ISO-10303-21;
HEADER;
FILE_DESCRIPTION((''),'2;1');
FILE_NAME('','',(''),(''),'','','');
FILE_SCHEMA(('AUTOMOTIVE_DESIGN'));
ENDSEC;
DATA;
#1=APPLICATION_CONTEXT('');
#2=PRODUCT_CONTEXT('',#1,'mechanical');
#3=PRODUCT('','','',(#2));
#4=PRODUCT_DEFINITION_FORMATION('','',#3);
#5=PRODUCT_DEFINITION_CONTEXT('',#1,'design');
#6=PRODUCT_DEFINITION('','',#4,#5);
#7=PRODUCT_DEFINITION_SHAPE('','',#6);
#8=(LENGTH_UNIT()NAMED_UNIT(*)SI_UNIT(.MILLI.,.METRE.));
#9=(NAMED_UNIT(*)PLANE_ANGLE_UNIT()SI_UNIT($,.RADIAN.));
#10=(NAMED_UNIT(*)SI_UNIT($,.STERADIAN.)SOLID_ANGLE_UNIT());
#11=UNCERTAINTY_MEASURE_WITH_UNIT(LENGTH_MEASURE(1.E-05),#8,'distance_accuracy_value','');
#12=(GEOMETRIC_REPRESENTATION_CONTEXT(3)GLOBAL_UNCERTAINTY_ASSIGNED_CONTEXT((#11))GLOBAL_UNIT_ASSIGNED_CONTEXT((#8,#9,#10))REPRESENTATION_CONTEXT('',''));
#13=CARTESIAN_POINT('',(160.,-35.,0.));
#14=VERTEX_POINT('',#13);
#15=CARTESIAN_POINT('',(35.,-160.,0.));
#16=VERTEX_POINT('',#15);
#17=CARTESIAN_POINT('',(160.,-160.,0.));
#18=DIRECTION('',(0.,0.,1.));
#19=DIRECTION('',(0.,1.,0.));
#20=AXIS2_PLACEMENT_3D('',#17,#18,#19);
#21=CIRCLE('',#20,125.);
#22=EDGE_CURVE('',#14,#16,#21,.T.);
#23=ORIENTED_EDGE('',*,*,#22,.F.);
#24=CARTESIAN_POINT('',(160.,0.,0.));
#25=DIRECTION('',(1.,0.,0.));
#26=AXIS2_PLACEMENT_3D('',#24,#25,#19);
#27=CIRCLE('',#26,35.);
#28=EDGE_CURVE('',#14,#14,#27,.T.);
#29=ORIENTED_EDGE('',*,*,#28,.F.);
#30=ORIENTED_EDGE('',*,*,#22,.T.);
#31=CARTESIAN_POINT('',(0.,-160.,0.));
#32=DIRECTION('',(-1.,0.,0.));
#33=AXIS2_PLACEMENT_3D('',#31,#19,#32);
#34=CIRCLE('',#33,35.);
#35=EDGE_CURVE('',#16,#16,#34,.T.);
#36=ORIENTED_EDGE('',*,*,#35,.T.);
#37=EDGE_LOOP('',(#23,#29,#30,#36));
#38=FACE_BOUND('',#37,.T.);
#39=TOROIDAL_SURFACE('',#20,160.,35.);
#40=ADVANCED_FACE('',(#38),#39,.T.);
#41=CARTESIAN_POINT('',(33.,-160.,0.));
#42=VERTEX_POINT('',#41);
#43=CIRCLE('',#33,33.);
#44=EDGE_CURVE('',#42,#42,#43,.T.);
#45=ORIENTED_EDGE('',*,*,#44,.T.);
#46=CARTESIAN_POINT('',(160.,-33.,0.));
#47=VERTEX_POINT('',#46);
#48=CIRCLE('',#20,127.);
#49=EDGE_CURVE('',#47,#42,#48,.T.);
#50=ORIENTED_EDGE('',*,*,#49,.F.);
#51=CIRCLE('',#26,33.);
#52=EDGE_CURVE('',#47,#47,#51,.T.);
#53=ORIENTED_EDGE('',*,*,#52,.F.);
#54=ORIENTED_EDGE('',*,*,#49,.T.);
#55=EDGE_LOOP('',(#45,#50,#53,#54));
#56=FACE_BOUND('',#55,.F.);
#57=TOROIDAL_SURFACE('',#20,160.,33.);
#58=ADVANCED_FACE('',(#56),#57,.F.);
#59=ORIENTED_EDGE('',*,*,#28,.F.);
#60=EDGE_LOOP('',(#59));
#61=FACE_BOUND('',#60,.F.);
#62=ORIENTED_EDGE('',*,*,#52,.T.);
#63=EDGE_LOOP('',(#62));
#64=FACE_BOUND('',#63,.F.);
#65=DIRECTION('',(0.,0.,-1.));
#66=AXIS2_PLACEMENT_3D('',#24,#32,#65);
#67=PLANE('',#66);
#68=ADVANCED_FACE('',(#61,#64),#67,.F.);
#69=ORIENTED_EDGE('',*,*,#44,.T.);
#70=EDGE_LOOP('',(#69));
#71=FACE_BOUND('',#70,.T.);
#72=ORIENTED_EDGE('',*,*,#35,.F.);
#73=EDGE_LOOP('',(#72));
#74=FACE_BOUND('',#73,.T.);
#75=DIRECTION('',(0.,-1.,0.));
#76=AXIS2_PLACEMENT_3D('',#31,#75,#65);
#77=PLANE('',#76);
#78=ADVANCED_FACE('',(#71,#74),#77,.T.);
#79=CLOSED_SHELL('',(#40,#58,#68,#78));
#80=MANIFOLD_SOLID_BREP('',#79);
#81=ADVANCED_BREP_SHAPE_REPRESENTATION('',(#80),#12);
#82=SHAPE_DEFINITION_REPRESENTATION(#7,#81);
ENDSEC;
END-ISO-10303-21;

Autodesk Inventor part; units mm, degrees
ref_plane "YZ Plane" through (0, 0, 0) normal (1, 0, 0) x (0, 1, 0)
ref_plane "XZ Plane" through (0, 0, 0) normal (0, 1, 0) x (-1, 0, 0)
sketch "Szkic6" plane through (0, 0, 0) normal (0, 0, 1) x (1, 0, 0)
  line L0 (-29.6067, 0) -> (35.2678, 0) construction
  line L1 (0, 42.3419) -> (0, -58.3726) construction
  arc A0 (160, 0) -> (0, -160) centre (160, -160) ccw
  line L2 (0, -160) -> (160, -160) construction
  line L3 (160, -160) -> (160, -94.4669) construction
  line L4 (160, 0) -> (160, 0)
  line L5 (0, -160) -> (0, -160)
  point P0 (0, 0)
  dimension "d24" = 160
  dimension "d31" = 90
  dimension "d36" = 0
  dimension "d37" = 0
ref_plane "Płaszczyzna konstrukcyjna2" through (0, -160, 0) normal (0, -1, 0) x (1, 0, 0)
sketch "Szkic8" plane through (0, -160, 0) normal (0, -1, 0) x (1, 0, 0)
  circle A0 centre (0, 0) radius 35
  circle A1 centre (0, 0) radius 33
  dimension "d32" = 70
  dimension "d33" = 2
sweep "Przeciągnięcie2" add profiles "Szkic8" path "Szkic6"
equation "\"d32\" = OD"
equation "\"d33\" = THK"
equation "\"d24\" = R"
equation "\"d31\" = KAT"
equation "\"SzerokośćGięciaPodcięcia\" = Grubość"
equation "\"RozmiarPodcięciaNarożnika\" = 4 * Grubość"
equation "\"PromieńPrzejścia\" = PromieńGięcia"
equation "\"Rozmiar_promienia_Jacobiego\" = PromieńGięcia"
equation "\"Wielk_odstępu\" = Grubość"
equation "\"d2\" = PromieńGięcia"
equation "\"d23\" = PromieńGięcia"
equation "\"R\" = 160"
equation "\"OD\" = 70"
equation "\"THK\" = 2"
equation "\"KAT\" = 90deg"
equation "\"PROSTKA\" = 0"
equation "\"Grubość\" = 1.5"
equation "\"PromieńGięcia\" = 3"
properties part number "Kolano 90° ø70x2 R160" material "304L"
